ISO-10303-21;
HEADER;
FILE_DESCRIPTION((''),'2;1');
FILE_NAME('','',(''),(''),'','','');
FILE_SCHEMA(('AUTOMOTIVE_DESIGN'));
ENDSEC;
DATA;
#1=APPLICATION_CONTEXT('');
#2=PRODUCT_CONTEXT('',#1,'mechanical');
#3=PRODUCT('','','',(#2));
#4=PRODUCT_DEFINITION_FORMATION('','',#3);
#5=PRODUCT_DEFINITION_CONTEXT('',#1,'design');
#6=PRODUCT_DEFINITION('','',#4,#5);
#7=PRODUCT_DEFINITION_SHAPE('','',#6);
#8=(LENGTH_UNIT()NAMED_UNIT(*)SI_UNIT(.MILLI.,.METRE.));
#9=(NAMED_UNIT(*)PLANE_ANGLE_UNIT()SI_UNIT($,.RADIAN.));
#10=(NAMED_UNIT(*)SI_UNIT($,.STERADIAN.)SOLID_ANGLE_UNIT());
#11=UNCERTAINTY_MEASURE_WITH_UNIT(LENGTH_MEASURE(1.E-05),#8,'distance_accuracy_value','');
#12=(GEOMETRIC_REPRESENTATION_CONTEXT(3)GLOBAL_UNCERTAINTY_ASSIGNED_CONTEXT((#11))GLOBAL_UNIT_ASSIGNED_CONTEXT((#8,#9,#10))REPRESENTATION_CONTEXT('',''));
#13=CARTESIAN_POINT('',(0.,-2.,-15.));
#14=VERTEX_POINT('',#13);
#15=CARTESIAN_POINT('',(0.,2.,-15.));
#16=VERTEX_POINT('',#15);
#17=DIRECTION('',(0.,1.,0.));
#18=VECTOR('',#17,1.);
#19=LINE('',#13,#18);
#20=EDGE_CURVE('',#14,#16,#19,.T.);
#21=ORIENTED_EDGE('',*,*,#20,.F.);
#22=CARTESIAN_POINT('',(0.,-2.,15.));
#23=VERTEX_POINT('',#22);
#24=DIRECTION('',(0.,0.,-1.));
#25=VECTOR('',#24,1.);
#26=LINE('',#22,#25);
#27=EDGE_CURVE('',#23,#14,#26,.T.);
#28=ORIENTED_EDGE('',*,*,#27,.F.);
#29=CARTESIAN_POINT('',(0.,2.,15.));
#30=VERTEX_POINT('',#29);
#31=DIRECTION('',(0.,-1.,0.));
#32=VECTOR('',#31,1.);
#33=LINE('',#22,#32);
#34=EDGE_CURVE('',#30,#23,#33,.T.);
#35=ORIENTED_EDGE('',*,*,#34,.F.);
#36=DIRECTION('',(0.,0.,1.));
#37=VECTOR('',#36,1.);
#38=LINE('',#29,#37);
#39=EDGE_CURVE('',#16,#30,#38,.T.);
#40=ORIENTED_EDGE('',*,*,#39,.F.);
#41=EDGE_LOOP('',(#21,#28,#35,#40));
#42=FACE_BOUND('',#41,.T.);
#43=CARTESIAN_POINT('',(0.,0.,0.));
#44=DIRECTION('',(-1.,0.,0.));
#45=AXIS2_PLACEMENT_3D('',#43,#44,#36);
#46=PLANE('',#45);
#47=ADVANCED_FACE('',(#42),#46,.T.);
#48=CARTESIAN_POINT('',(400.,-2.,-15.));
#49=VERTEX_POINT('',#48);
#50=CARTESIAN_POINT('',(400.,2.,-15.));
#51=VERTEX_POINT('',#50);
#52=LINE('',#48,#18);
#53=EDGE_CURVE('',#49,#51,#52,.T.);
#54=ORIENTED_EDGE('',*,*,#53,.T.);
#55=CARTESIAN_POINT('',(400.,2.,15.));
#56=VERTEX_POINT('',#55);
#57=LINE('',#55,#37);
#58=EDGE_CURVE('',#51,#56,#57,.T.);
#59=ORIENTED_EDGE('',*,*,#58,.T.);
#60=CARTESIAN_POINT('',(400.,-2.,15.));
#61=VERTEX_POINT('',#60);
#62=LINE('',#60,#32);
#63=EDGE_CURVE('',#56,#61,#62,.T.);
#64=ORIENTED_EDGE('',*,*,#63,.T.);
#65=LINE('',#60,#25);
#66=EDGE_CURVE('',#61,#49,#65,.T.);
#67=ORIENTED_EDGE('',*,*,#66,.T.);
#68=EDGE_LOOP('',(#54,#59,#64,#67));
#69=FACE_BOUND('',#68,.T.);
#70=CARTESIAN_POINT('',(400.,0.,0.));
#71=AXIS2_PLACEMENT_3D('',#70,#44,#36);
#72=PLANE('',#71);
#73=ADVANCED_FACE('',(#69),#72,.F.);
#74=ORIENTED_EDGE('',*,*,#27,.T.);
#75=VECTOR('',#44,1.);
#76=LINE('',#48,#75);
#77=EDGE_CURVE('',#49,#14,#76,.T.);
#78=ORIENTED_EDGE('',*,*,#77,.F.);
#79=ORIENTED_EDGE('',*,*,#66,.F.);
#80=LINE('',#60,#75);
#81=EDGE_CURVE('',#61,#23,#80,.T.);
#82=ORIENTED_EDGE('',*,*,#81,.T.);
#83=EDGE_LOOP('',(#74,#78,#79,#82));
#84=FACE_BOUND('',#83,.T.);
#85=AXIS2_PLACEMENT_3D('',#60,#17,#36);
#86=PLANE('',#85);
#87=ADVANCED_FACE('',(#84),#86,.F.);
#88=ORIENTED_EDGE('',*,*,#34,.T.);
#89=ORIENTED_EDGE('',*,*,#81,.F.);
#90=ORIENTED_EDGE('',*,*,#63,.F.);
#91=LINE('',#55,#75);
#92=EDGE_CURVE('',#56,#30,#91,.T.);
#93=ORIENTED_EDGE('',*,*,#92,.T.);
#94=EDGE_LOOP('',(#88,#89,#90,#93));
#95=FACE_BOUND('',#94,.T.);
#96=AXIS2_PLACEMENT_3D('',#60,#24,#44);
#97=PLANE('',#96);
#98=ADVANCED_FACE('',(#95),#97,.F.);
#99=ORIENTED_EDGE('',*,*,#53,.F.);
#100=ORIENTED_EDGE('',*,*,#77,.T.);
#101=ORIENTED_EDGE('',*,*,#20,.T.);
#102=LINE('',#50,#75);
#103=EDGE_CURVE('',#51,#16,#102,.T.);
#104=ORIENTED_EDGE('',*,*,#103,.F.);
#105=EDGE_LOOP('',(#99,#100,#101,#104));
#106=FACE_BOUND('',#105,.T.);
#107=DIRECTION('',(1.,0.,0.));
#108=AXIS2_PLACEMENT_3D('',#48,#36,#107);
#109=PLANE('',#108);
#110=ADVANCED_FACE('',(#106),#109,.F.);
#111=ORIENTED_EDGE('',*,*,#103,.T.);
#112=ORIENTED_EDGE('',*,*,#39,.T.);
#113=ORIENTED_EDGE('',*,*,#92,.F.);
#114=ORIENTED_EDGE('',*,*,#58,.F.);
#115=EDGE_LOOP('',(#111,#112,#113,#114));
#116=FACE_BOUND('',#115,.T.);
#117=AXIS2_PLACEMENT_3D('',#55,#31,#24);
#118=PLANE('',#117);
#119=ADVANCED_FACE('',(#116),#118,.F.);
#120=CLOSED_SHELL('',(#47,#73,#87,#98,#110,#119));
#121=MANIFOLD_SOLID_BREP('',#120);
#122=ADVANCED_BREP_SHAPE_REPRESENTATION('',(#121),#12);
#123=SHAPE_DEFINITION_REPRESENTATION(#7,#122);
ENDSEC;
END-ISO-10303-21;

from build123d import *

# Parameters (mm, degrees)
SKETCH_1_W      = 30
SKETCH_1_H      = 4
EXTRUDE_1_DEPTH = 400


with BuildPart() as part:
    # Эскиз1 → Бобышка-Вытянуть1 (new body)
    with BuildSketch(Plane(origin=(0, 0, 0), x_dir=(0, 0, -1), z_dir=(1, 0, 0))):
        Rectangle(SKETCH_1_W, SKETCH_1_H)
    extrude(amount=EXTRUDE_1_DEPTH)


solid = part.part
